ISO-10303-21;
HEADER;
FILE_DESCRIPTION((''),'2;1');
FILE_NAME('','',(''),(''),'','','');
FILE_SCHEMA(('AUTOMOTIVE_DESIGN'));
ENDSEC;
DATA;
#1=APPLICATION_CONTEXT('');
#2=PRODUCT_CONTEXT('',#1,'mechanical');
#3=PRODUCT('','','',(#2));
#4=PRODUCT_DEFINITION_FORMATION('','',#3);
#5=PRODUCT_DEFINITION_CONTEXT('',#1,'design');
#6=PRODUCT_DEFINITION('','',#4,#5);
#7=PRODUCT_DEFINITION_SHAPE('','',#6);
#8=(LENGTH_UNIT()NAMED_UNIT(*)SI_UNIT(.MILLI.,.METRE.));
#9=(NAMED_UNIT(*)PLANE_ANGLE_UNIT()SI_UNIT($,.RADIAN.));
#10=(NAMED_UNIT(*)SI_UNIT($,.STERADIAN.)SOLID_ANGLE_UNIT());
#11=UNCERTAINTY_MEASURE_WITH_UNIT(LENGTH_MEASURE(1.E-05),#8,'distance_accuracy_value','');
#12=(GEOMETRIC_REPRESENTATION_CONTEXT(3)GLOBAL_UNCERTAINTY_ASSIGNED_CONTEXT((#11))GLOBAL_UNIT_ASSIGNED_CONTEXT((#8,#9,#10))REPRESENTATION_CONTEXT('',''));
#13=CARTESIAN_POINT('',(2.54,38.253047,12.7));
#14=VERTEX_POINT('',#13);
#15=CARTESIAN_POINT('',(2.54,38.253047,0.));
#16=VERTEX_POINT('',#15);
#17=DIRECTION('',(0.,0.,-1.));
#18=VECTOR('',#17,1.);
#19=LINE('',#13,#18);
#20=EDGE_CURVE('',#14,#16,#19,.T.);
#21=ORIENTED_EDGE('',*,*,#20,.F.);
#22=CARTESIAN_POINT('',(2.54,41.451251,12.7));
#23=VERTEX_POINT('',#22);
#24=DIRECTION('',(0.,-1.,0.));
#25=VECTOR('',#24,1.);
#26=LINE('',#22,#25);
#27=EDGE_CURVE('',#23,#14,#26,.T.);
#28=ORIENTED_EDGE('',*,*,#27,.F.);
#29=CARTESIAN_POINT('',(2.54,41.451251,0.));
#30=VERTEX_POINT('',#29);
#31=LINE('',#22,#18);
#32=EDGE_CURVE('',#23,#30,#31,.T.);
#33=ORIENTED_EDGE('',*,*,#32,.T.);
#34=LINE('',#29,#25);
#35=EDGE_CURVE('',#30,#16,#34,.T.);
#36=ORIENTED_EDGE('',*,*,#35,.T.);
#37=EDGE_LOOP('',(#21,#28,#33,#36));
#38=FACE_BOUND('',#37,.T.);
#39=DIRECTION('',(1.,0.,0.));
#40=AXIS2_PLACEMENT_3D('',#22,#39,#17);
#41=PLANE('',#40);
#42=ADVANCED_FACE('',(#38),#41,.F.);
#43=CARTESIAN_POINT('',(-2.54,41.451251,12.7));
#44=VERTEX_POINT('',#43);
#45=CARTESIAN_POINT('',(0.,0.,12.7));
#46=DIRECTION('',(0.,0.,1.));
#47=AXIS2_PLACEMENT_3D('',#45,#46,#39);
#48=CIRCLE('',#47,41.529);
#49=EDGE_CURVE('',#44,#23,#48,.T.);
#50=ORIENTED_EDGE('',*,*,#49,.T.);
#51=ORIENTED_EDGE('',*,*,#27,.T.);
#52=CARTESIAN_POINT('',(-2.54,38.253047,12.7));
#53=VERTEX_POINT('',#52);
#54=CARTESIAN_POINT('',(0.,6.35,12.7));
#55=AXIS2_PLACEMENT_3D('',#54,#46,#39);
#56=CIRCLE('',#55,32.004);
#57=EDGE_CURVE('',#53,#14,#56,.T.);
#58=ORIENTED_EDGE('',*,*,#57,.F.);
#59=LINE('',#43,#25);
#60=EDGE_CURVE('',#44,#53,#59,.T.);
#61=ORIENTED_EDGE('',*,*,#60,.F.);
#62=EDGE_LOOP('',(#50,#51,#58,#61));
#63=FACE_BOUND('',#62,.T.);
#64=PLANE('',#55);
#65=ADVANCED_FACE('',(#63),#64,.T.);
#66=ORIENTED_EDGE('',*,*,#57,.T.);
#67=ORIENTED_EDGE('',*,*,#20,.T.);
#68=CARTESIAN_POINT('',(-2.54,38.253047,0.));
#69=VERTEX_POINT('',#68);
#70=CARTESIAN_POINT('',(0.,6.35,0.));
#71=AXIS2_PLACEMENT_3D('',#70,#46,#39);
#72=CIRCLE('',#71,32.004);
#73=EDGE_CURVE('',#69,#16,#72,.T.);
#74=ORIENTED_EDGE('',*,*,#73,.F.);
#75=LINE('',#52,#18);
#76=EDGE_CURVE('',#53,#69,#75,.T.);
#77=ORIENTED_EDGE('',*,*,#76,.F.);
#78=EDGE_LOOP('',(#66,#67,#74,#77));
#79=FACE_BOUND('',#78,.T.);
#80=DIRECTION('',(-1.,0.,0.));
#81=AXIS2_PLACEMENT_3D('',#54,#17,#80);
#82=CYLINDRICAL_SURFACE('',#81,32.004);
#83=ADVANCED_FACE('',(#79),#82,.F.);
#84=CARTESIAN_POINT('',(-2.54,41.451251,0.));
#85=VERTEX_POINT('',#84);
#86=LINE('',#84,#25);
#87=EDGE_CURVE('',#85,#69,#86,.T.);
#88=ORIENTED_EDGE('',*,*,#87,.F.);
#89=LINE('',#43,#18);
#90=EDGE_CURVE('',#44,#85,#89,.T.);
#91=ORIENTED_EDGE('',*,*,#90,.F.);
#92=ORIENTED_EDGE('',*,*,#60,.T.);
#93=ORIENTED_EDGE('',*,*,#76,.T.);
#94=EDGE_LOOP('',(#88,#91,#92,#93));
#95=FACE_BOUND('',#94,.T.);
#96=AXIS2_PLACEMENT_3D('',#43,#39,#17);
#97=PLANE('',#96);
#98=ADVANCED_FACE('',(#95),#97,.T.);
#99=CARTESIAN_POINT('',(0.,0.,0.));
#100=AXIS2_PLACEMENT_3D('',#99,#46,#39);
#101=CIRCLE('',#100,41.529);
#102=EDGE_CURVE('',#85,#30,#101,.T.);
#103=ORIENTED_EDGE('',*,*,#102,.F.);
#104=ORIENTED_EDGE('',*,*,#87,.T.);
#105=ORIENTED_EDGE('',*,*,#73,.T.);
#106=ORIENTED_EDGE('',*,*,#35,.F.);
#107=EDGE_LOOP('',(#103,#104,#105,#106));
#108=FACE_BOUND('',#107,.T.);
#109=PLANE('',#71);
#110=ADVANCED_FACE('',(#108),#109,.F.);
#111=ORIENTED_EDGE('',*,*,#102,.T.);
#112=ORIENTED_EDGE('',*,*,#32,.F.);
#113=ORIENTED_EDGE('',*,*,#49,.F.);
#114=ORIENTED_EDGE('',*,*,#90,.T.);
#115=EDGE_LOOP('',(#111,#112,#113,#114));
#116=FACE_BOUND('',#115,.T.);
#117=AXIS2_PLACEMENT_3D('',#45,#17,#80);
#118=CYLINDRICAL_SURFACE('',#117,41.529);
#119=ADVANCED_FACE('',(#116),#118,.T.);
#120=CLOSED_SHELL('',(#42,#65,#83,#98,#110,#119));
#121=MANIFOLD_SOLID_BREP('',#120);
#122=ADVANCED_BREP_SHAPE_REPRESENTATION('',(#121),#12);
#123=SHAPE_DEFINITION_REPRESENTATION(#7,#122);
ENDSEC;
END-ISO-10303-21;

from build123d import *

# Parameters (mm, degrees)
BOSS_EXTRUDE1_DEPTH = 12.7


with BuildPart() as part:
    # Sketch1 → Boss-Extrude1 (new body)
    with BuildSketch(Plane.XY):
        with BuildLine():
            Line((-2.54, 41.45125138), (-2.54, 38.253047127))
            ThreePointArc((-2.54, 38.253047127), (0, -25.654), (2.54, 38.253047127))
            Line((2.54, 38.253047127), (2.54, 41.45125138))
            ThreePointArc((2.54, 41.45125138), (0, -41.529), (-2.54, 41.45125138))
        make_face()
    extrude(amount=BOSS_EXTRUDE1_DEPTH)


solid = part.part
